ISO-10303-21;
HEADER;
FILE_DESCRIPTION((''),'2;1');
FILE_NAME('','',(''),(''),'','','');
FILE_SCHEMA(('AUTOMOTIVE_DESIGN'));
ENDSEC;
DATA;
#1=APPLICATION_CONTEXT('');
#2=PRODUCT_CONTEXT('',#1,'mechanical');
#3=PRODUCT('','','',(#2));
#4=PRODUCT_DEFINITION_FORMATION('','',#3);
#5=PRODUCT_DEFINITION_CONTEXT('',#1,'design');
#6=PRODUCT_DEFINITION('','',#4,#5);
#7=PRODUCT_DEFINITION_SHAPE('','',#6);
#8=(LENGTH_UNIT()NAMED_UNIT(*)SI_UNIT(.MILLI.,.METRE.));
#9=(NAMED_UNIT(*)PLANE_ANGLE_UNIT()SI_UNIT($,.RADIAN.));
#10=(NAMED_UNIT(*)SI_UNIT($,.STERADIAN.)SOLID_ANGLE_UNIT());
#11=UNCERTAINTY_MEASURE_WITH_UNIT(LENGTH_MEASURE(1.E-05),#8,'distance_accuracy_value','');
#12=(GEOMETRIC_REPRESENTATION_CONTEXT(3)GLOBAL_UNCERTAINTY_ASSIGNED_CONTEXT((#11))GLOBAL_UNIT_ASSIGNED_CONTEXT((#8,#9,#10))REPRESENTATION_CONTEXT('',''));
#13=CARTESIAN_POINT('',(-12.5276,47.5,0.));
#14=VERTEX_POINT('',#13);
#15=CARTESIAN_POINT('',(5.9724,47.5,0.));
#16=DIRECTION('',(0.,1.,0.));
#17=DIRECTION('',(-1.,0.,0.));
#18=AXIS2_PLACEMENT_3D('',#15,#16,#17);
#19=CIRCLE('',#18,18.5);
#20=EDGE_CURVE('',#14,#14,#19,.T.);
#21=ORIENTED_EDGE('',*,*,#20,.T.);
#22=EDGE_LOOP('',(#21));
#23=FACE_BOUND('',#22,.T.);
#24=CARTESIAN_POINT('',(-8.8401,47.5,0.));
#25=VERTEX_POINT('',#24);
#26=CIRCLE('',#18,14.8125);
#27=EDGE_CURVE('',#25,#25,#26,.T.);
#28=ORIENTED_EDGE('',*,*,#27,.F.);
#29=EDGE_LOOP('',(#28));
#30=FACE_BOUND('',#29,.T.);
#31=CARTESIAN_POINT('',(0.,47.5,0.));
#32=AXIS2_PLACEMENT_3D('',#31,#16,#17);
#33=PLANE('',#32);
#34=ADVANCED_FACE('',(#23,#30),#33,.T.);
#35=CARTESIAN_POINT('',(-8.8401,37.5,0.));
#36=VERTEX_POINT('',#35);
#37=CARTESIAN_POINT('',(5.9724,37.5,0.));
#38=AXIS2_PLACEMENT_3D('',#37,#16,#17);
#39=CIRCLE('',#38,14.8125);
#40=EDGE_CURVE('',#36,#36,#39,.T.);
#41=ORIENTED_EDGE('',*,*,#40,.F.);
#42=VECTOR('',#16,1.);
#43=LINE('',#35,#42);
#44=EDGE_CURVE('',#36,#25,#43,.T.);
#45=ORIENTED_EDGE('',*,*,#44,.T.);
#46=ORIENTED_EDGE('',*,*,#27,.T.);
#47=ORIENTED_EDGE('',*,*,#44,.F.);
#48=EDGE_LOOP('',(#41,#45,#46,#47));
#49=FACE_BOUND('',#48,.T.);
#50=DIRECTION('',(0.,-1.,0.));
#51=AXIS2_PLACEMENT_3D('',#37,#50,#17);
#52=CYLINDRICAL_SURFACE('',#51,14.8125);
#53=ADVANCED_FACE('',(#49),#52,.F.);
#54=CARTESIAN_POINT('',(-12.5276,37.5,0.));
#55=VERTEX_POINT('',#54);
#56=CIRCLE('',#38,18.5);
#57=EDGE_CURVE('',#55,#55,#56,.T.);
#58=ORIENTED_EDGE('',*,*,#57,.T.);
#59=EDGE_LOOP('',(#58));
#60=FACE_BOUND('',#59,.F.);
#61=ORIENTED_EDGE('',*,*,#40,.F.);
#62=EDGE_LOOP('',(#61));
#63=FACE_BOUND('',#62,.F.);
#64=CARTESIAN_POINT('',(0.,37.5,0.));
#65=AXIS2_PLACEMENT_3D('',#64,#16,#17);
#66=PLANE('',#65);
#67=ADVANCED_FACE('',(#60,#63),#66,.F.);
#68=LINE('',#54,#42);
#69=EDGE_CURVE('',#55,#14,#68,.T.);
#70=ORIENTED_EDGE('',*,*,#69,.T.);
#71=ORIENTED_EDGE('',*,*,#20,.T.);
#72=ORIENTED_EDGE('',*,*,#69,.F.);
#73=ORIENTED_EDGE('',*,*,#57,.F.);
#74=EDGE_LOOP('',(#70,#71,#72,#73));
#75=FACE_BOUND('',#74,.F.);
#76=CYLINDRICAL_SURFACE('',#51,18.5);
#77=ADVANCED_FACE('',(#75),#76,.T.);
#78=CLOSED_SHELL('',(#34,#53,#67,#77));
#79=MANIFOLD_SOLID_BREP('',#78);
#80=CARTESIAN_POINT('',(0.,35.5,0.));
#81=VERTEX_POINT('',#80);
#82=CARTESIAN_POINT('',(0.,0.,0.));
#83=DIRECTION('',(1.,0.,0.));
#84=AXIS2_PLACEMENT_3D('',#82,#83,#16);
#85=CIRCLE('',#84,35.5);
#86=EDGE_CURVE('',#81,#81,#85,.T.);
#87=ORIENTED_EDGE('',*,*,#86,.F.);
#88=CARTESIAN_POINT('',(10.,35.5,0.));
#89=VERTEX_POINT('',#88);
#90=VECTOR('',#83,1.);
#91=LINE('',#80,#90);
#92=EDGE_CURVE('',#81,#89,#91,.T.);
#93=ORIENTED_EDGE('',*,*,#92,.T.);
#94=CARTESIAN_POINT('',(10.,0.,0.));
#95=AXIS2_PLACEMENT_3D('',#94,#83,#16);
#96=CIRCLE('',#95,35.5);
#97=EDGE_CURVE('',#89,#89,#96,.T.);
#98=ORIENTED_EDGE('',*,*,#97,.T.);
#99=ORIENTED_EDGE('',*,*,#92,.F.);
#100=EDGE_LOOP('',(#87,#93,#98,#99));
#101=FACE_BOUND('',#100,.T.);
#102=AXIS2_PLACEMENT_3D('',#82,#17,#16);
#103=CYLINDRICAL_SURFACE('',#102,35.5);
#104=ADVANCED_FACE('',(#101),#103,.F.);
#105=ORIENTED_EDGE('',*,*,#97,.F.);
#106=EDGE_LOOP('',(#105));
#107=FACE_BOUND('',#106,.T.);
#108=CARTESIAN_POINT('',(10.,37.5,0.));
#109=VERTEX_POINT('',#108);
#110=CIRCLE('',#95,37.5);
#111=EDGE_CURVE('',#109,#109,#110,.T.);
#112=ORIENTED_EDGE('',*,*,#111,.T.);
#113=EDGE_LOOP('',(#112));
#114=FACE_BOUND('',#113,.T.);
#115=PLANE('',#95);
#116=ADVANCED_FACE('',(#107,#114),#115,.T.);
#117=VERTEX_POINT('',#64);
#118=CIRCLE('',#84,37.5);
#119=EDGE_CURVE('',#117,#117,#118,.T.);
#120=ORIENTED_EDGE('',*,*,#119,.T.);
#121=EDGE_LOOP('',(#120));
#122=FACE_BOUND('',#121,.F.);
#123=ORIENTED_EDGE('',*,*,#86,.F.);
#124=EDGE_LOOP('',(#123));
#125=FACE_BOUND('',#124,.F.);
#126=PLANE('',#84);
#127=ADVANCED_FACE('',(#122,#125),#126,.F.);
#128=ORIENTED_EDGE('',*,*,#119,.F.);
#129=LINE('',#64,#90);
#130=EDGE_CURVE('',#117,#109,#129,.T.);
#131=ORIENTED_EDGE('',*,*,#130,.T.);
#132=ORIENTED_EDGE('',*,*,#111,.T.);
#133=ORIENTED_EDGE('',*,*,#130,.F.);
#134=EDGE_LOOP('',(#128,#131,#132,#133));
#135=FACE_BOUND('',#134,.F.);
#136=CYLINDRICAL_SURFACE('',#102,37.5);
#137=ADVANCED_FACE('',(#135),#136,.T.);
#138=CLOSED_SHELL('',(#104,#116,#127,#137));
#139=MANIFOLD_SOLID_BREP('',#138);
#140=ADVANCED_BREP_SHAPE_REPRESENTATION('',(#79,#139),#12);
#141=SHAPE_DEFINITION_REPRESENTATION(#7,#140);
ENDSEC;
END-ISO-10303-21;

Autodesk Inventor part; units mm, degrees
ref_plane "YZ Plane" through (0, 0, 0) normal (1, 0, 0) x (0, 1, 0)
ref_plane "XY Plane" through (0, 0, 0) normal (0, 0, 1) x (1, 0, 0)
sketch "Sketch1" plane through (0, 0, 0) normal (1, 0, 0) x (0, 1, 0)
  circle A0 centre (0, 0) radius 37.5
  circle A1 centre (0, 0) radius 35.5
  dimension "d0" = 75
  dimension "d1" = 71
extrude "Extrusion1" add sketch "Sketch1" along normal blind 10
sketch "Sketch2" plane through (0, 0, 0) normal (0, 1, 0) x (-1, 0, 0)
  point P0 (0, 0)
ref_plane "Work Plane1" through (0, 37.5, 0) normal (0, 1, 0) x (-1, 0, 0)
sketch "Sketch3" plane through (0, 0, 0) normal (-1, 0, 0) x (0, 0, 1)
  point P0 (0, 0)
sketch "Sketch4" plane through (0, 37.5, 0) normal (0, 1, 0) x (-1, 0, 0)
  circle A0 centre (-5.9724, 0) radius 18.5
  circle A1 centre (-5.9724, 0) radius 14.8125
  point P0 (0, 0)
  dimension "d6" = 37
  dimension "d7" = 29.625
extrude "Extrusion2" add sketch "Sketch4" along normal blind 10
properties part number "Dc catcher"
